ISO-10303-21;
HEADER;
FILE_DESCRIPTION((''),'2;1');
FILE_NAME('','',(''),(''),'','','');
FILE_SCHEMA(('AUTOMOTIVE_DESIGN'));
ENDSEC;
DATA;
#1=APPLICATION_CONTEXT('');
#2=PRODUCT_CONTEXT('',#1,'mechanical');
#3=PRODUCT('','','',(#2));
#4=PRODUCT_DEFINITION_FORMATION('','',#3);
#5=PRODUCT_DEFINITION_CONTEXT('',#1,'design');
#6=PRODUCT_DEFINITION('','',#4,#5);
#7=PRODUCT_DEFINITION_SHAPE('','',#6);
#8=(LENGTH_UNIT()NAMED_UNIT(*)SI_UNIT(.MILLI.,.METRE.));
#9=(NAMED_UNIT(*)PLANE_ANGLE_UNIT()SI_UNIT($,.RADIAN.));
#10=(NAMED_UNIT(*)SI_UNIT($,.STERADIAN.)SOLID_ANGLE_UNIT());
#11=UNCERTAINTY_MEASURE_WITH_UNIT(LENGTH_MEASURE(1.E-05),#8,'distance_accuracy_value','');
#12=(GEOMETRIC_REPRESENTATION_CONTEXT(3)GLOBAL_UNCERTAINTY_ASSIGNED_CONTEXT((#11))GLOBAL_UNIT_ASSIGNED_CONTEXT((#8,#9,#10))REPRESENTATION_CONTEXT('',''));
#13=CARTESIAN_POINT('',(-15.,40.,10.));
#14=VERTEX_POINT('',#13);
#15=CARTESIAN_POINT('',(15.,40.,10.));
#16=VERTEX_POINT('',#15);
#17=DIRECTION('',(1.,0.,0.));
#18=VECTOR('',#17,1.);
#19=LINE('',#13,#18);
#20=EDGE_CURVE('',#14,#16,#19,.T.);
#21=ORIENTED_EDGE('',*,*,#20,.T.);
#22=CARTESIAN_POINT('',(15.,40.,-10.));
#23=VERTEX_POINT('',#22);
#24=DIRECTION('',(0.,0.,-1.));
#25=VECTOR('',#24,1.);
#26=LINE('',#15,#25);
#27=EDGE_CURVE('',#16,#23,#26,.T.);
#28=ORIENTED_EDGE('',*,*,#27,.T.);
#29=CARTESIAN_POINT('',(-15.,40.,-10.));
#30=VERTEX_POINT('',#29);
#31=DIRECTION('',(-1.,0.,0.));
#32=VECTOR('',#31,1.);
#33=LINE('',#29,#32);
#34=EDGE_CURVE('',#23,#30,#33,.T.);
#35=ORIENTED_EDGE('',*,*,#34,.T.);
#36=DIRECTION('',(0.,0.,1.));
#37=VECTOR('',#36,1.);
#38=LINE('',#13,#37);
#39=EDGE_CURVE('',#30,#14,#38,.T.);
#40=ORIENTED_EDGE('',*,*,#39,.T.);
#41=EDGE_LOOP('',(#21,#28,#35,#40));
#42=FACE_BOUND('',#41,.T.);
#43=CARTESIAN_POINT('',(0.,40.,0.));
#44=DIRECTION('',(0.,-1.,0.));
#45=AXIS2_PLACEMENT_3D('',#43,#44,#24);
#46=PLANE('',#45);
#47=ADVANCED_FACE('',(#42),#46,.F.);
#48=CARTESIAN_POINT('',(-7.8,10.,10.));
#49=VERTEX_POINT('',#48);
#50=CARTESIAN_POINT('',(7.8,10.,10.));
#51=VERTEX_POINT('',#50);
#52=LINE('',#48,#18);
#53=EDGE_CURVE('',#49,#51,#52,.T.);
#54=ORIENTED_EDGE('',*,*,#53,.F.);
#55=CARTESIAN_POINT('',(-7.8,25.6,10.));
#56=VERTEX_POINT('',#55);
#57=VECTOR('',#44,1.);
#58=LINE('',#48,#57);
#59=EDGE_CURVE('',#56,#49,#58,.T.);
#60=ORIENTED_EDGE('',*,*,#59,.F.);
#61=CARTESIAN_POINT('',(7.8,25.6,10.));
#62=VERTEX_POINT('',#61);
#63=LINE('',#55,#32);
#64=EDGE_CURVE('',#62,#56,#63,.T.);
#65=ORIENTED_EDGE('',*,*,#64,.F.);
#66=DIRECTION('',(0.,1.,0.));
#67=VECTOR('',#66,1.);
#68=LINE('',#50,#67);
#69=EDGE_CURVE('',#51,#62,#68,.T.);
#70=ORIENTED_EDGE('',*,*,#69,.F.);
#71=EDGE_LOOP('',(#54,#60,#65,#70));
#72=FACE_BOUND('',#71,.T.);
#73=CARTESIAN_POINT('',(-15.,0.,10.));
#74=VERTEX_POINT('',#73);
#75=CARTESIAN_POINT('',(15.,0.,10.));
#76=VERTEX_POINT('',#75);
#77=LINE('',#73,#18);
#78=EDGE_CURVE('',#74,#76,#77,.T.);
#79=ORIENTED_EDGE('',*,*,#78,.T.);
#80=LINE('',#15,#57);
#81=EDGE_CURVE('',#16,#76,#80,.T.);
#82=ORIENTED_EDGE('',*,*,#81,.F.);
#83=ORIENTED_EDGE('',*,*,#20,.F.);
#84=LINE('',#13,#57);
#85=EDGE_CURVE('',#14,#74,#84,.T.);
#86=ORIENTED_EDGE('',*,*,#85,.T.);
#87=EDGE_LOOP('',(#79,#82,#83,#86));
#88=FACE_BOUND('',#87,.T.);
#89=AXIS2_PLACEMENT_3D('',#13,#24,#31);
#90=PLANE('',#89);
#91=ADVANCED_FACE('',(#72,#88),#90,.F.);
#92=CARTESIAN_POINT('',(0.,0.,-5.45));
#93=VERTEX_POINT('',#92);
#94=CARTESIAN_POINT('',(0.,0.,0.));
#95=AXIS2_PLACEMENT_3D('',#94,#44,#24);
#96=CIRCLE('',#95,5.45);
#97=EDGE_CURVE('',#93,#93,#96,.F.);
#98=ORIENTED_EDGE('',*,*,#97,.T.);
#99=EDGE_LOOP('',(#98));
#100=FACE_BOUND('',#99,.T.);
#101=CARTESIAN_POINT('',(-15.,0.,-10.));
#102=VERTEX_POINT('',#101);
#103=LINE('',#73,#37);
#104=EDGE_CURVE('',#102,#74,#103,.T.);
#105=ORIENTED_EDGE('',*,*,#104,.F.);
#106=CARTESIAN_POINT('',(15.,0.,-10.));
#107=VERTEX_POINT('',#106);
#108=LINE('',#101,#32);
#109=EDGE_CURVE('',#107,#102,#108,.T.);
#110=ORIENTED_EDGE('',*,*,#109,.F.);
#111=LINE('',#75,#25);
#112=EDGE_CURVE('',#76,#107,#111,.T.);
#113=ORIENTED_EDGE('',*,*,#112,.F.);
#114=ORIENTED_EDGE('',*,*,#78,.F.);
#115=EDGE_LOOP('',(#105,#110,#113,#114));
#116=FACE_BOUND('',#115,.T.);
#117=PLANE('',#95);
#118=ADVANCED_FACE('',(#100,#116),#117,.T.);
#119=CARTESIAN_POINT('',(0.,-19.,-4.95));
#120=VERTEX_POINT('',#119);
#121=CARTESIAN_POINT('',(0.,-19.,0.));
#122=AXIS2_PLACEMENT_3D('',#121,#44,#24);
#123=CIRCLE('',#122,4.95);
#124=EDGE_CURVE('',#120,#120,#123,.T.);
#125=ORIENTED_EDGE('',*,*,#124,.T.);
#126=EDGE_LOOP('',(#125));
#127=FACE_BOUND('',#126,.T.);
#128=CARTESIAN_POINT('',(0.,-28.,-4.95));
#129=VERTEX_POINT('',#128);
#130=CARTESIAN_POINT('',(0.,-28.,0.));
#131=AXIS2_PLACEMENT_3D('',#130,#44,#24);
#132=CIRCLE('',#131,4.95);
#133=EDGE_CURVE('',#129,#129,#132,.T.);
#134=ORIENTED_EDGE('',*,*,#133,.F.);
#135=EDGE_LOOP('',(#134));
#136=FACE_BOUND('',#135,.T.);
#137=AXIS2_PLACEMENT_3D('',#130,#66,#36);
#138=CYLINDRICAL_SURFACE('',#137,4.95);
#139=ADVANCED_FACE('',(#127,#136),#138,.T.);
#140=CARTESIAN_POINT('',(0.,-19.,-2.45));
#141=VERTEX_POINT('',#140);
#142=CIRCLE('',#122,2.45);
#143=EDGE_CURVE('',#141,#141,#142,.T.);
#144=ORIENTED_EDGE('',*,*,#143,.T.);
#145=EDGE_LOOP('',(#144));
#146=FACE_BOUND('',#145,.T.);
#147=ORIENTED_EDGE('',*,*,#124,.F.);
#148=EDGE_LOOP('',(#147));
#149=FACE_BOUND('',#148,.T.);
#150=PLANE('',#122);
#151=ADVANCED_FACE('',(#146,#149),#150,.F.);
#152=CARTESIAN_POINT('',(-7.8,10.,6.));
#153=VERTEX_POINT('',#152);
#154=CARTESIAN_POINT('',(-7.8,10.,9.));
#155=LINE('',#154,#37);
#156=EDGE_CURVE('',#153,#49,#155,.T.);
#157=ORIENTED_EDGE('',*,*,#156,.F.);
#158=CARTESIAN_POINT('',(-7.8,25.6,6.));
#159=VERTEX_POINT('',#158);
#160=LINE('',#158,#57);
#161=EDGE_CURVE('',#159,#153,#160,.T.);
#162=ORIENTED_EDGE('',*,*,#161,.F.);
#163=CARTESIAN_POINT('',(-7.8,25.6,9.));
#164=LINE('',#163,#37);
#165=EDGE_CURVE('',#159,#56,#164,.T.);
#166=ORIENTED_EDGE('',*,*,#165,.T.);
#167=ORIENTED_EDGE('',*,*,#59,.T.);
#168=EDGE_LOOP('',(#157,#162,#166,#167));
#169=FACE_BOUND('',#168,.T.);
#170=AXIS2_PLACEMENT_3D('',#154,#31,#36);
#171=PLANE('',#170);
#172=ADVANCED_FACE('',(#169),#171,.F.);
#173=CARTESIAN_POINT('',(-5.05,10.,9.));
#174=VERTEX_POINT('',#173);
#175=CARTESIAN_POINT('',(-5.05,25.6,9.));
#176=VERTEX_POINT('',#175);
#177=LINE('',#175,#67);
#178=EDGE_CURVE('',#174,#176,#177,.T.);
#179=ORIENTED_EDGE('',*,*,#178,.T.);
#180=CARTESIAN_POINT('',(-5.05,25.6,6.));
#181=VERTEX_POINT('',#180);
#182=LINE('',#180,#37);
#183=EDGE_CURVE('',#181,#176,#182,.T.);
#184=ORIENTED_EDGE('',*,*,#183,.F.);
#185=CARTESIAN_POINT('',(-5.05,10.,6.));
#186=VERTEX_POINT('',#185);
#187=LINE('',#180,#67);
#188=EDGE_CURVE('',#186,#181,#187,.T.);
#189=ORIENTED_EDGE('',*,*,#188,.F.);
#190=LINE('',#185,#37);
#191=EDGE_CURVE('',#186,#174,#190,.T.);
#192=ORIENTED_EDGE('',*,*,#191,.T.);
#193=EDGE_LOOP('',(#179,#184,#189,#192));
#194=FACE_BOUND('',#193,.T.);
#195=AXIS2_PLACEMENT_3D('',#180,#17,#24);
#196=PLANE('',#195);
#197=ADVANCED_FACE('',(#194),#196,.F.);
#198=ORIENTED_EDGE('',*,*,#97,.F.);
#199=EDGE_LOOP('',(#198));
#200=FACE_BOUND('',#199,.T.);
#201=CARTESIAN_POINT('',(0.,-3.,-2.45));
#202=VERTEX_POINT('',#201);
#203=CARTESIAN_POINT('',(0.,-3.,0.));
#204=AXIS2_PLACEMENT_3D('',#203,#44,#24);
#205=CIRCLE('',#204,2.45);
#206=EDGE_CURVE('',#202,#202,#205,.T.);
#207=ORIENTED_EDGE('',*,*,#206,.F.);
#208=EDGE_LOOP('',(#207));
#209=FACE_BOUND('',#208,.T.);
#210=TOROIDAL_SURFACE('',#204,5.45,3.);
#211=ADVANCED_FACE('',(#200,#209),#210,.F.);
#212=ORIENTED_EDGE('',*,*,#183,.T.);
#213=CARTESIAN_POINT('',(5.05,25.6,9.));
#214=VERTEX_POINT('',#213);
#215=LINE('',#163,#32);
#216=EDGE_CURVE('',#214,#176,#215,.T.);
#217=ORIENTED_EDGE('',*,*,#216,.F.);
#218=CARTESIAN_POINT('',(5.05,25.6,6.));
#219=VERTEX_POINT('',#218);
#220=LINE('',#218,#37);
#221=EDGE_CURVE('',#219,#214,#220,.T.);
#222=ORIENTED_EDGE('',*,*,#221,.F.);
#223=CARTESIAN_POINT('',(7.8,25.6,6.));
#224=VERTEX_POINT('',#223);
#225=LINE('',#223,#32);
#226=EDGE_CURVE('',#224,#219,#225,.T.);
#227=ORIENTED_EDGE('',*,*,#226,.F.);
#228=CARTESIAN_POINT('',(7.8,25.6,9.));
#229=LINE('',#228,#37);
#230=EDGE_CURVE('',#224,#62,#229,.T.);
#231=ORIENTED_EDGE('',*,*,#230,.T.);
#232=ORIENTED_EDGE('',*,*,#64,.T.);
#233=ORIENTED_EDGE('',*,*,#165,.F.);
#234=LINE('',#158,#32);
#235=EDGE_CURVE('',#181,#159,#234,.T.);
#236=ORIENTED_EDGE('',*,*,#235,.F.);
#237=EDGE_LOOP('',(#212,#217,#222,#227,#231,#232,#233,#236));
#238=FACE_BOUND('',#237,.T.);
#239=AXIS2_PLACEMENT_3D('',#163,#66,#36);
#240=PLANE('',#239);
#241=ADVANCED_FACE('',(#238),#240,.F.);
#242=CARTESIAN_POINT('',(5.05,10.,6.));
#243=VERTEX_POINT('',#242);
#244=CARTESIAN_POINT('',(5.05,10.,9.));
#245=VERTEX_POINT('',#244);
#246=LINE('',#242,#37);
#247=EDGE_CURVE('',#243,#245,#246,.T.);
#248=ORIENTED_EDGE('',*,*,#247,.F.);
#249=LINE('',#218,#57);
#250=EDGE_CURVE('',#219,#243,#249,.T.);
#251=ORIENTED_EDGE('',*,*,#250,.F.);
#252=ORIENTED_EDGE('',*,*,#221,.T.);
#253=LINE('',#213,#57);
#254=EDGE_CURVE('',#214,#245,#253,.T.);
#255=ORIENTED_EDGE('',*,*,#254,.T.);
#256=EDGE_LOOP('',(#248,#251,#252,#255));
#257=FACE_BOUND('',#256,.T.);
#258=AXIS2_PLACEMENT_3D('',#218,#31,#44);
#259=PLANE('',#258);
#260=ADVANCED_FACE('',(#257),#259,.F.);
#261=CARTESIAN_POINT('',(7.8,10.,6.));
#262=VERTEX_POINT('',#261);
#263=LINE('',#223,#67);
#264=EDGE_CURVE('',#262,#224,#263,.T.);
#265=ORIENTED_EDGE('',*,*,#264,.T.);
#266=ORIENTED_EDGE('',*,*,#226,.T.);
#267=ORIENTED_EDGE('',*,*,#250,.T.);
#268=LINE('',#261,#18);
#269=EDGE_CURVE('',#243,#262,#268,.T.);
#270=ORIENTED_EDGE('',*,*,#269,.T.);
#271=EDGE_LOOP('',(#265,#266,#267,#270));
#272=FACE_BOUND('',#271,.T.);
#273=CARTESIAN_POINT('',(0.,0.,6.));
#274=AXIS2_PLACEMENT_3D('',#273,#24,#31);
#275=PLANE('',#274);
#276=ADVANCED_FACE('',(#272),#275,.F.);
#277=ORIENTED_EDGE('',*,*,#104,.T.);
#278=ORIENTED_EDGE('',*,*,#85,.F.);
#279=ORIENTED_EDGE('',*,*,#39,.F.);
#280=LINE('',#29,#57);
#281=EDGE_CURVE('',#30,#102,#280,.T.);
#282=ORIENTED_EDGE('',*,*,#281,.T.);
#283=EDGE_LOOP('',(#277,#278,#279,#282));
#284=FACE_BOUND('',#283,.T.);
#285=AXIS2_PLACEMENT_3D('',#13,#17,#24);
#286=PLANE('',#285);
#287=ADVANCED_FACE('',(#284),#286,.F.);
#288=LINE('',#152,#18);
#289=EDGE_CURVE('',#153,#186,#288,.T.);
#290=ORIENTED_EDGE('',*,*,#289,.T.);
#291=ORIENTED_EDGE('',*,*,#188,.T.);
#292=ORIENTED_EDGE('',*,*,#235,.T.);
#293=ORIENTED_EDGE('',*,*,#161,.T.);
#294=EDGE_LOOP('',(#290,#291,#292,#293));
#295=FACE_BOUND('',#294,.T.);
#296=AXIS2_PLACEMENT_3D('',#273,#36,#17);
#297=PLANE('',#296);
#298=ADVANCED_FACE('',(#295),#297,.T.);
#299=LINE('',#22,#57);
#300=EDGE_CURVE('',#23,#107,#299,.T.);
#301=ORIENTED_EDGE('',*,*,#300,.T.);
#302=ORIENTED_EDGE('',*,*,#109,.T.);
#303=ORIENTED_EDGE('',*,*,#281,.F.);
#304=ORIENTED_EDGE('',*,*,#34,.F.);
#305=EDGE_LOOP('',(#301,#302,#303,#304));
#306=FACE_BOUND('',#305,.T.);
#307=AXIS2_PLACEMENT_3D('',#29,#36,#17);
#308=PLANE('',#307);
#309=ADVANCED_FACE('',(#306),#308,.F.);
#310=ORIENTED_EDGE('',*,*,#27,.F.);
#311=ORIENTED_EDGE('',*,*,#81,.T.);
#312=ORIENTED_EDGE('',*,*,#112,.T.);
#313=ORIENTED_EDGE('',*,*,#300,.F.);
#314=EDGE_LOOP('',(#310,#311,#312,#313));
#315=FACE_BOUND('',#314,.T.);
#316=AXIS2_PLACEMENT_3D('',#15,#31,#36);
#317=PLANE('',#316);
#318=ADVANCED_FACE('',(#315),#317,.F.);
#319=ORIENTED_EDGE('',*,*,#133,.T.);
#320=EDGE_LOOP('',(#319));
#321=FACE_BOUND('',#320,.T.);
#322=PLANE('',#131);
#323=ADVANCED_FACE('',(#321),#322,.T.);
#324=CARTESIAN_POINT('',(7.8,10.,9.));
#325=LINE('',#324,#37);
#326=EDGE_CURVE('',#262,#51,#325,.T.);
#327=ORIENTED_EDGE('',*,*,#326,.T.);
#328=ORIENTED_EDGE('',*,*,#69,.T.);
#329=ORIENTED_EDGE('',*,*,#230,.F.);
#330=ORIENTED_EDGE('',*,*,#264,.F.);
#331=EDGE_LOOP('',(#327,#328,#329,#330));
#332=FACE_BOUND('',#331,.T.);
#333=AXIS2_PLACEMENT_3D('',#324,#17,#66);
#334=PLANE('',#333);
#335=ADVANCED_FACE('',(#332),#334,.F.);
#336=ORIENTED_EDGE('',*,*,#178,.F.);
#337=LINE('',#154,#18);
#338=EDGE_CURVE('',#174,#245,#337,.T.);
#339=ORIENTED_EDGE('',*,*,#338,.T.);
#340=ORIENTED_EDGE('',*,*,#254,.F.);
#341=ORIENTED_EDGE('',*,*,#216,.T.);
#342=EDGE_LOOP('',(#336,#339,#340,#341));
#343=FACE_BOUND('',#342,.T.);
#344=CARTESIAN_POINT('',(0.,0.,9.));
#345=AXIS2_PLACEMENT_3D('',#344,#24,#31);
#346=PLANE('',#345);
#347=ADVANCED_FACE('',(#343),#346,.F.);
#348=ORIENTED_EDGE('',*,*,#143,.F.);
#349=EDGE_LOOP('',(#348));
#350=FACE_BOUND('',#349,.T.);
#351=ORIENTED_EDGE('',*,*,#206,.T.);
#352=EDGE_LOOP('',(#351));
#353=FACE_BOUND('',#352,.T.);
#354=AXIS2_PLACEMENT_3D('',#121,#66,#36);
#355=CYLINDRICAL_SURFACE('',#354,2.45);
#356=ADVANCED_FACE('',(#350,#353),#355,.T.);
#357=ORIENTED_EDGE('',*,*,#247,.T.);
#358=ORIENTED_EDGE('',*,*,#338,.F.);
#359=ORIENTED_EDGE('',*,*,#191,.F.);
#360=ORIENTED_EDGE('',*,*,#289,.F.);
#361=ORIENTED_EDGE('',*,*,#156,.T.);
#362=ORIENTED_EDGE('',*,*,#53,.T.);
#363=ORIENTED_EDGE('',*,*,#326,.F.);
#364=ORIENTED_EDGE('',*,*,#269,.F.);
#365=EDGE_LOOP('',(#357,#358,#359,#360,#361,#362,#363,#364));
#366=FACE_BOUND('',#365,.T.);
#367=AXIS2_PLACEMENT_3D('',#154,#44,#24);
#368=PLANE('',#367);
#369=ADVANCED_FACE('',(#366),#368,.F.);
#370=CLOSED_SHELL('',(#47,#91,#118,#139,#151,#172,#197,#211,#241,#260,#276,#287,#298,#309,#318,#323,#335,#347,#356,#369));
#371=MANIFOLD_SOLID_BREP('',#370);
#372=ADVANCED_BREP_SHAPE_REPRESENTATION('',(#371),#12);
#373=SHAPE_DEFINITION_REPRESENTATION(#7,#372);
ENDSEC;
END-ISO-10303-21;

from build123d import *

# Parameters (mm, degrees)
SKETCH_1_W          = 30
SKETCH_1_H          = 20
EXTRUDE_1_DEPTH     = 40
SKETCH_2_R          = 2.45
EXTRUDE_2_DEPTH     = 19
SKETCH_3_R          = 4.95
EXTRUDE_3_DEPTH     = 9
SKETCH_4_W          = 15.6
SKETCH_4_H          = 15.6
CUT_EXTRUDE_1_DEPTH = 1
SKETCH_5_W          = 2.75
SKETCH_5_H          = 15.6
CUT_EXTRUDE_2_DEPTH = 3
FILLET_1_R          = 3


with BuildPart() as part:
    # 草图1 → 凸台-拉伸1 (new body)
    with BuildSketch(Plane(origin=(0, 0, 0), x_dir=(1, 0, 0), z_dir=(0, 1, 0))):
        Rectangle(SKETCH_1_W, SKETCH_1_H)
    extrude(amount=EXTRUDE_1_DEPTH)

    # 草图2 → 凸台-拉伸2 (add)
    with BuildSketch(Plane.XZ):
        with Locations(Location((0, 0, 0), (0, 0, 270))):
            Circle(SKETCH_2_R)
    extrude(amount=EXTRUDE_2_DEPTH)

    # 草图3 → 凸台-拉伸3 (add)
    with BuildSketch(Plane.XZ.offset(19)):
        with Locations(Location((0, 0, 0), (0, 0, 270))):
            Circle(SKETCH_3_R)
    extrude(amount=EXTRUDE_3_DEPTH)

    # 草图4 → 切除-拉伸1 (cut)
    with BuildSketch(Plane.XY.offset(10)):
        with Locations((0, 17.8)):
            Rectangle(SKETCH_4_W, SKETCH_4_H)
    extrude(amount=-CUT_EXTRUDE_1_DEPTH, mode=Mode.SUBTRACT)

    # 草图5 → 切除-拉伸2 (cut)
    with BuildSketch(Plane.XY.offset(9)):
        with Locations((-6.425, 17.8)):
            Rectangle(SKETCH_5_W, SKETCH_5_H)
        with Locations((6.425, 17.8)):
            Rectangle(SKETCH_5_W, SKETCH_5_H)
    extrude(amount=-CUT_EXTRUDE_2_DEPTH, mode=Mode.SUBTRACT)

    # 圆角1
    fillet_1_edges = [part.edges().sort_by_distance(p)[0] for p in [
        (0, 0, 2.45),
    ]]
    fillet(fillet_1_edges, radius=FILLET_1_R)


solid = part.part
